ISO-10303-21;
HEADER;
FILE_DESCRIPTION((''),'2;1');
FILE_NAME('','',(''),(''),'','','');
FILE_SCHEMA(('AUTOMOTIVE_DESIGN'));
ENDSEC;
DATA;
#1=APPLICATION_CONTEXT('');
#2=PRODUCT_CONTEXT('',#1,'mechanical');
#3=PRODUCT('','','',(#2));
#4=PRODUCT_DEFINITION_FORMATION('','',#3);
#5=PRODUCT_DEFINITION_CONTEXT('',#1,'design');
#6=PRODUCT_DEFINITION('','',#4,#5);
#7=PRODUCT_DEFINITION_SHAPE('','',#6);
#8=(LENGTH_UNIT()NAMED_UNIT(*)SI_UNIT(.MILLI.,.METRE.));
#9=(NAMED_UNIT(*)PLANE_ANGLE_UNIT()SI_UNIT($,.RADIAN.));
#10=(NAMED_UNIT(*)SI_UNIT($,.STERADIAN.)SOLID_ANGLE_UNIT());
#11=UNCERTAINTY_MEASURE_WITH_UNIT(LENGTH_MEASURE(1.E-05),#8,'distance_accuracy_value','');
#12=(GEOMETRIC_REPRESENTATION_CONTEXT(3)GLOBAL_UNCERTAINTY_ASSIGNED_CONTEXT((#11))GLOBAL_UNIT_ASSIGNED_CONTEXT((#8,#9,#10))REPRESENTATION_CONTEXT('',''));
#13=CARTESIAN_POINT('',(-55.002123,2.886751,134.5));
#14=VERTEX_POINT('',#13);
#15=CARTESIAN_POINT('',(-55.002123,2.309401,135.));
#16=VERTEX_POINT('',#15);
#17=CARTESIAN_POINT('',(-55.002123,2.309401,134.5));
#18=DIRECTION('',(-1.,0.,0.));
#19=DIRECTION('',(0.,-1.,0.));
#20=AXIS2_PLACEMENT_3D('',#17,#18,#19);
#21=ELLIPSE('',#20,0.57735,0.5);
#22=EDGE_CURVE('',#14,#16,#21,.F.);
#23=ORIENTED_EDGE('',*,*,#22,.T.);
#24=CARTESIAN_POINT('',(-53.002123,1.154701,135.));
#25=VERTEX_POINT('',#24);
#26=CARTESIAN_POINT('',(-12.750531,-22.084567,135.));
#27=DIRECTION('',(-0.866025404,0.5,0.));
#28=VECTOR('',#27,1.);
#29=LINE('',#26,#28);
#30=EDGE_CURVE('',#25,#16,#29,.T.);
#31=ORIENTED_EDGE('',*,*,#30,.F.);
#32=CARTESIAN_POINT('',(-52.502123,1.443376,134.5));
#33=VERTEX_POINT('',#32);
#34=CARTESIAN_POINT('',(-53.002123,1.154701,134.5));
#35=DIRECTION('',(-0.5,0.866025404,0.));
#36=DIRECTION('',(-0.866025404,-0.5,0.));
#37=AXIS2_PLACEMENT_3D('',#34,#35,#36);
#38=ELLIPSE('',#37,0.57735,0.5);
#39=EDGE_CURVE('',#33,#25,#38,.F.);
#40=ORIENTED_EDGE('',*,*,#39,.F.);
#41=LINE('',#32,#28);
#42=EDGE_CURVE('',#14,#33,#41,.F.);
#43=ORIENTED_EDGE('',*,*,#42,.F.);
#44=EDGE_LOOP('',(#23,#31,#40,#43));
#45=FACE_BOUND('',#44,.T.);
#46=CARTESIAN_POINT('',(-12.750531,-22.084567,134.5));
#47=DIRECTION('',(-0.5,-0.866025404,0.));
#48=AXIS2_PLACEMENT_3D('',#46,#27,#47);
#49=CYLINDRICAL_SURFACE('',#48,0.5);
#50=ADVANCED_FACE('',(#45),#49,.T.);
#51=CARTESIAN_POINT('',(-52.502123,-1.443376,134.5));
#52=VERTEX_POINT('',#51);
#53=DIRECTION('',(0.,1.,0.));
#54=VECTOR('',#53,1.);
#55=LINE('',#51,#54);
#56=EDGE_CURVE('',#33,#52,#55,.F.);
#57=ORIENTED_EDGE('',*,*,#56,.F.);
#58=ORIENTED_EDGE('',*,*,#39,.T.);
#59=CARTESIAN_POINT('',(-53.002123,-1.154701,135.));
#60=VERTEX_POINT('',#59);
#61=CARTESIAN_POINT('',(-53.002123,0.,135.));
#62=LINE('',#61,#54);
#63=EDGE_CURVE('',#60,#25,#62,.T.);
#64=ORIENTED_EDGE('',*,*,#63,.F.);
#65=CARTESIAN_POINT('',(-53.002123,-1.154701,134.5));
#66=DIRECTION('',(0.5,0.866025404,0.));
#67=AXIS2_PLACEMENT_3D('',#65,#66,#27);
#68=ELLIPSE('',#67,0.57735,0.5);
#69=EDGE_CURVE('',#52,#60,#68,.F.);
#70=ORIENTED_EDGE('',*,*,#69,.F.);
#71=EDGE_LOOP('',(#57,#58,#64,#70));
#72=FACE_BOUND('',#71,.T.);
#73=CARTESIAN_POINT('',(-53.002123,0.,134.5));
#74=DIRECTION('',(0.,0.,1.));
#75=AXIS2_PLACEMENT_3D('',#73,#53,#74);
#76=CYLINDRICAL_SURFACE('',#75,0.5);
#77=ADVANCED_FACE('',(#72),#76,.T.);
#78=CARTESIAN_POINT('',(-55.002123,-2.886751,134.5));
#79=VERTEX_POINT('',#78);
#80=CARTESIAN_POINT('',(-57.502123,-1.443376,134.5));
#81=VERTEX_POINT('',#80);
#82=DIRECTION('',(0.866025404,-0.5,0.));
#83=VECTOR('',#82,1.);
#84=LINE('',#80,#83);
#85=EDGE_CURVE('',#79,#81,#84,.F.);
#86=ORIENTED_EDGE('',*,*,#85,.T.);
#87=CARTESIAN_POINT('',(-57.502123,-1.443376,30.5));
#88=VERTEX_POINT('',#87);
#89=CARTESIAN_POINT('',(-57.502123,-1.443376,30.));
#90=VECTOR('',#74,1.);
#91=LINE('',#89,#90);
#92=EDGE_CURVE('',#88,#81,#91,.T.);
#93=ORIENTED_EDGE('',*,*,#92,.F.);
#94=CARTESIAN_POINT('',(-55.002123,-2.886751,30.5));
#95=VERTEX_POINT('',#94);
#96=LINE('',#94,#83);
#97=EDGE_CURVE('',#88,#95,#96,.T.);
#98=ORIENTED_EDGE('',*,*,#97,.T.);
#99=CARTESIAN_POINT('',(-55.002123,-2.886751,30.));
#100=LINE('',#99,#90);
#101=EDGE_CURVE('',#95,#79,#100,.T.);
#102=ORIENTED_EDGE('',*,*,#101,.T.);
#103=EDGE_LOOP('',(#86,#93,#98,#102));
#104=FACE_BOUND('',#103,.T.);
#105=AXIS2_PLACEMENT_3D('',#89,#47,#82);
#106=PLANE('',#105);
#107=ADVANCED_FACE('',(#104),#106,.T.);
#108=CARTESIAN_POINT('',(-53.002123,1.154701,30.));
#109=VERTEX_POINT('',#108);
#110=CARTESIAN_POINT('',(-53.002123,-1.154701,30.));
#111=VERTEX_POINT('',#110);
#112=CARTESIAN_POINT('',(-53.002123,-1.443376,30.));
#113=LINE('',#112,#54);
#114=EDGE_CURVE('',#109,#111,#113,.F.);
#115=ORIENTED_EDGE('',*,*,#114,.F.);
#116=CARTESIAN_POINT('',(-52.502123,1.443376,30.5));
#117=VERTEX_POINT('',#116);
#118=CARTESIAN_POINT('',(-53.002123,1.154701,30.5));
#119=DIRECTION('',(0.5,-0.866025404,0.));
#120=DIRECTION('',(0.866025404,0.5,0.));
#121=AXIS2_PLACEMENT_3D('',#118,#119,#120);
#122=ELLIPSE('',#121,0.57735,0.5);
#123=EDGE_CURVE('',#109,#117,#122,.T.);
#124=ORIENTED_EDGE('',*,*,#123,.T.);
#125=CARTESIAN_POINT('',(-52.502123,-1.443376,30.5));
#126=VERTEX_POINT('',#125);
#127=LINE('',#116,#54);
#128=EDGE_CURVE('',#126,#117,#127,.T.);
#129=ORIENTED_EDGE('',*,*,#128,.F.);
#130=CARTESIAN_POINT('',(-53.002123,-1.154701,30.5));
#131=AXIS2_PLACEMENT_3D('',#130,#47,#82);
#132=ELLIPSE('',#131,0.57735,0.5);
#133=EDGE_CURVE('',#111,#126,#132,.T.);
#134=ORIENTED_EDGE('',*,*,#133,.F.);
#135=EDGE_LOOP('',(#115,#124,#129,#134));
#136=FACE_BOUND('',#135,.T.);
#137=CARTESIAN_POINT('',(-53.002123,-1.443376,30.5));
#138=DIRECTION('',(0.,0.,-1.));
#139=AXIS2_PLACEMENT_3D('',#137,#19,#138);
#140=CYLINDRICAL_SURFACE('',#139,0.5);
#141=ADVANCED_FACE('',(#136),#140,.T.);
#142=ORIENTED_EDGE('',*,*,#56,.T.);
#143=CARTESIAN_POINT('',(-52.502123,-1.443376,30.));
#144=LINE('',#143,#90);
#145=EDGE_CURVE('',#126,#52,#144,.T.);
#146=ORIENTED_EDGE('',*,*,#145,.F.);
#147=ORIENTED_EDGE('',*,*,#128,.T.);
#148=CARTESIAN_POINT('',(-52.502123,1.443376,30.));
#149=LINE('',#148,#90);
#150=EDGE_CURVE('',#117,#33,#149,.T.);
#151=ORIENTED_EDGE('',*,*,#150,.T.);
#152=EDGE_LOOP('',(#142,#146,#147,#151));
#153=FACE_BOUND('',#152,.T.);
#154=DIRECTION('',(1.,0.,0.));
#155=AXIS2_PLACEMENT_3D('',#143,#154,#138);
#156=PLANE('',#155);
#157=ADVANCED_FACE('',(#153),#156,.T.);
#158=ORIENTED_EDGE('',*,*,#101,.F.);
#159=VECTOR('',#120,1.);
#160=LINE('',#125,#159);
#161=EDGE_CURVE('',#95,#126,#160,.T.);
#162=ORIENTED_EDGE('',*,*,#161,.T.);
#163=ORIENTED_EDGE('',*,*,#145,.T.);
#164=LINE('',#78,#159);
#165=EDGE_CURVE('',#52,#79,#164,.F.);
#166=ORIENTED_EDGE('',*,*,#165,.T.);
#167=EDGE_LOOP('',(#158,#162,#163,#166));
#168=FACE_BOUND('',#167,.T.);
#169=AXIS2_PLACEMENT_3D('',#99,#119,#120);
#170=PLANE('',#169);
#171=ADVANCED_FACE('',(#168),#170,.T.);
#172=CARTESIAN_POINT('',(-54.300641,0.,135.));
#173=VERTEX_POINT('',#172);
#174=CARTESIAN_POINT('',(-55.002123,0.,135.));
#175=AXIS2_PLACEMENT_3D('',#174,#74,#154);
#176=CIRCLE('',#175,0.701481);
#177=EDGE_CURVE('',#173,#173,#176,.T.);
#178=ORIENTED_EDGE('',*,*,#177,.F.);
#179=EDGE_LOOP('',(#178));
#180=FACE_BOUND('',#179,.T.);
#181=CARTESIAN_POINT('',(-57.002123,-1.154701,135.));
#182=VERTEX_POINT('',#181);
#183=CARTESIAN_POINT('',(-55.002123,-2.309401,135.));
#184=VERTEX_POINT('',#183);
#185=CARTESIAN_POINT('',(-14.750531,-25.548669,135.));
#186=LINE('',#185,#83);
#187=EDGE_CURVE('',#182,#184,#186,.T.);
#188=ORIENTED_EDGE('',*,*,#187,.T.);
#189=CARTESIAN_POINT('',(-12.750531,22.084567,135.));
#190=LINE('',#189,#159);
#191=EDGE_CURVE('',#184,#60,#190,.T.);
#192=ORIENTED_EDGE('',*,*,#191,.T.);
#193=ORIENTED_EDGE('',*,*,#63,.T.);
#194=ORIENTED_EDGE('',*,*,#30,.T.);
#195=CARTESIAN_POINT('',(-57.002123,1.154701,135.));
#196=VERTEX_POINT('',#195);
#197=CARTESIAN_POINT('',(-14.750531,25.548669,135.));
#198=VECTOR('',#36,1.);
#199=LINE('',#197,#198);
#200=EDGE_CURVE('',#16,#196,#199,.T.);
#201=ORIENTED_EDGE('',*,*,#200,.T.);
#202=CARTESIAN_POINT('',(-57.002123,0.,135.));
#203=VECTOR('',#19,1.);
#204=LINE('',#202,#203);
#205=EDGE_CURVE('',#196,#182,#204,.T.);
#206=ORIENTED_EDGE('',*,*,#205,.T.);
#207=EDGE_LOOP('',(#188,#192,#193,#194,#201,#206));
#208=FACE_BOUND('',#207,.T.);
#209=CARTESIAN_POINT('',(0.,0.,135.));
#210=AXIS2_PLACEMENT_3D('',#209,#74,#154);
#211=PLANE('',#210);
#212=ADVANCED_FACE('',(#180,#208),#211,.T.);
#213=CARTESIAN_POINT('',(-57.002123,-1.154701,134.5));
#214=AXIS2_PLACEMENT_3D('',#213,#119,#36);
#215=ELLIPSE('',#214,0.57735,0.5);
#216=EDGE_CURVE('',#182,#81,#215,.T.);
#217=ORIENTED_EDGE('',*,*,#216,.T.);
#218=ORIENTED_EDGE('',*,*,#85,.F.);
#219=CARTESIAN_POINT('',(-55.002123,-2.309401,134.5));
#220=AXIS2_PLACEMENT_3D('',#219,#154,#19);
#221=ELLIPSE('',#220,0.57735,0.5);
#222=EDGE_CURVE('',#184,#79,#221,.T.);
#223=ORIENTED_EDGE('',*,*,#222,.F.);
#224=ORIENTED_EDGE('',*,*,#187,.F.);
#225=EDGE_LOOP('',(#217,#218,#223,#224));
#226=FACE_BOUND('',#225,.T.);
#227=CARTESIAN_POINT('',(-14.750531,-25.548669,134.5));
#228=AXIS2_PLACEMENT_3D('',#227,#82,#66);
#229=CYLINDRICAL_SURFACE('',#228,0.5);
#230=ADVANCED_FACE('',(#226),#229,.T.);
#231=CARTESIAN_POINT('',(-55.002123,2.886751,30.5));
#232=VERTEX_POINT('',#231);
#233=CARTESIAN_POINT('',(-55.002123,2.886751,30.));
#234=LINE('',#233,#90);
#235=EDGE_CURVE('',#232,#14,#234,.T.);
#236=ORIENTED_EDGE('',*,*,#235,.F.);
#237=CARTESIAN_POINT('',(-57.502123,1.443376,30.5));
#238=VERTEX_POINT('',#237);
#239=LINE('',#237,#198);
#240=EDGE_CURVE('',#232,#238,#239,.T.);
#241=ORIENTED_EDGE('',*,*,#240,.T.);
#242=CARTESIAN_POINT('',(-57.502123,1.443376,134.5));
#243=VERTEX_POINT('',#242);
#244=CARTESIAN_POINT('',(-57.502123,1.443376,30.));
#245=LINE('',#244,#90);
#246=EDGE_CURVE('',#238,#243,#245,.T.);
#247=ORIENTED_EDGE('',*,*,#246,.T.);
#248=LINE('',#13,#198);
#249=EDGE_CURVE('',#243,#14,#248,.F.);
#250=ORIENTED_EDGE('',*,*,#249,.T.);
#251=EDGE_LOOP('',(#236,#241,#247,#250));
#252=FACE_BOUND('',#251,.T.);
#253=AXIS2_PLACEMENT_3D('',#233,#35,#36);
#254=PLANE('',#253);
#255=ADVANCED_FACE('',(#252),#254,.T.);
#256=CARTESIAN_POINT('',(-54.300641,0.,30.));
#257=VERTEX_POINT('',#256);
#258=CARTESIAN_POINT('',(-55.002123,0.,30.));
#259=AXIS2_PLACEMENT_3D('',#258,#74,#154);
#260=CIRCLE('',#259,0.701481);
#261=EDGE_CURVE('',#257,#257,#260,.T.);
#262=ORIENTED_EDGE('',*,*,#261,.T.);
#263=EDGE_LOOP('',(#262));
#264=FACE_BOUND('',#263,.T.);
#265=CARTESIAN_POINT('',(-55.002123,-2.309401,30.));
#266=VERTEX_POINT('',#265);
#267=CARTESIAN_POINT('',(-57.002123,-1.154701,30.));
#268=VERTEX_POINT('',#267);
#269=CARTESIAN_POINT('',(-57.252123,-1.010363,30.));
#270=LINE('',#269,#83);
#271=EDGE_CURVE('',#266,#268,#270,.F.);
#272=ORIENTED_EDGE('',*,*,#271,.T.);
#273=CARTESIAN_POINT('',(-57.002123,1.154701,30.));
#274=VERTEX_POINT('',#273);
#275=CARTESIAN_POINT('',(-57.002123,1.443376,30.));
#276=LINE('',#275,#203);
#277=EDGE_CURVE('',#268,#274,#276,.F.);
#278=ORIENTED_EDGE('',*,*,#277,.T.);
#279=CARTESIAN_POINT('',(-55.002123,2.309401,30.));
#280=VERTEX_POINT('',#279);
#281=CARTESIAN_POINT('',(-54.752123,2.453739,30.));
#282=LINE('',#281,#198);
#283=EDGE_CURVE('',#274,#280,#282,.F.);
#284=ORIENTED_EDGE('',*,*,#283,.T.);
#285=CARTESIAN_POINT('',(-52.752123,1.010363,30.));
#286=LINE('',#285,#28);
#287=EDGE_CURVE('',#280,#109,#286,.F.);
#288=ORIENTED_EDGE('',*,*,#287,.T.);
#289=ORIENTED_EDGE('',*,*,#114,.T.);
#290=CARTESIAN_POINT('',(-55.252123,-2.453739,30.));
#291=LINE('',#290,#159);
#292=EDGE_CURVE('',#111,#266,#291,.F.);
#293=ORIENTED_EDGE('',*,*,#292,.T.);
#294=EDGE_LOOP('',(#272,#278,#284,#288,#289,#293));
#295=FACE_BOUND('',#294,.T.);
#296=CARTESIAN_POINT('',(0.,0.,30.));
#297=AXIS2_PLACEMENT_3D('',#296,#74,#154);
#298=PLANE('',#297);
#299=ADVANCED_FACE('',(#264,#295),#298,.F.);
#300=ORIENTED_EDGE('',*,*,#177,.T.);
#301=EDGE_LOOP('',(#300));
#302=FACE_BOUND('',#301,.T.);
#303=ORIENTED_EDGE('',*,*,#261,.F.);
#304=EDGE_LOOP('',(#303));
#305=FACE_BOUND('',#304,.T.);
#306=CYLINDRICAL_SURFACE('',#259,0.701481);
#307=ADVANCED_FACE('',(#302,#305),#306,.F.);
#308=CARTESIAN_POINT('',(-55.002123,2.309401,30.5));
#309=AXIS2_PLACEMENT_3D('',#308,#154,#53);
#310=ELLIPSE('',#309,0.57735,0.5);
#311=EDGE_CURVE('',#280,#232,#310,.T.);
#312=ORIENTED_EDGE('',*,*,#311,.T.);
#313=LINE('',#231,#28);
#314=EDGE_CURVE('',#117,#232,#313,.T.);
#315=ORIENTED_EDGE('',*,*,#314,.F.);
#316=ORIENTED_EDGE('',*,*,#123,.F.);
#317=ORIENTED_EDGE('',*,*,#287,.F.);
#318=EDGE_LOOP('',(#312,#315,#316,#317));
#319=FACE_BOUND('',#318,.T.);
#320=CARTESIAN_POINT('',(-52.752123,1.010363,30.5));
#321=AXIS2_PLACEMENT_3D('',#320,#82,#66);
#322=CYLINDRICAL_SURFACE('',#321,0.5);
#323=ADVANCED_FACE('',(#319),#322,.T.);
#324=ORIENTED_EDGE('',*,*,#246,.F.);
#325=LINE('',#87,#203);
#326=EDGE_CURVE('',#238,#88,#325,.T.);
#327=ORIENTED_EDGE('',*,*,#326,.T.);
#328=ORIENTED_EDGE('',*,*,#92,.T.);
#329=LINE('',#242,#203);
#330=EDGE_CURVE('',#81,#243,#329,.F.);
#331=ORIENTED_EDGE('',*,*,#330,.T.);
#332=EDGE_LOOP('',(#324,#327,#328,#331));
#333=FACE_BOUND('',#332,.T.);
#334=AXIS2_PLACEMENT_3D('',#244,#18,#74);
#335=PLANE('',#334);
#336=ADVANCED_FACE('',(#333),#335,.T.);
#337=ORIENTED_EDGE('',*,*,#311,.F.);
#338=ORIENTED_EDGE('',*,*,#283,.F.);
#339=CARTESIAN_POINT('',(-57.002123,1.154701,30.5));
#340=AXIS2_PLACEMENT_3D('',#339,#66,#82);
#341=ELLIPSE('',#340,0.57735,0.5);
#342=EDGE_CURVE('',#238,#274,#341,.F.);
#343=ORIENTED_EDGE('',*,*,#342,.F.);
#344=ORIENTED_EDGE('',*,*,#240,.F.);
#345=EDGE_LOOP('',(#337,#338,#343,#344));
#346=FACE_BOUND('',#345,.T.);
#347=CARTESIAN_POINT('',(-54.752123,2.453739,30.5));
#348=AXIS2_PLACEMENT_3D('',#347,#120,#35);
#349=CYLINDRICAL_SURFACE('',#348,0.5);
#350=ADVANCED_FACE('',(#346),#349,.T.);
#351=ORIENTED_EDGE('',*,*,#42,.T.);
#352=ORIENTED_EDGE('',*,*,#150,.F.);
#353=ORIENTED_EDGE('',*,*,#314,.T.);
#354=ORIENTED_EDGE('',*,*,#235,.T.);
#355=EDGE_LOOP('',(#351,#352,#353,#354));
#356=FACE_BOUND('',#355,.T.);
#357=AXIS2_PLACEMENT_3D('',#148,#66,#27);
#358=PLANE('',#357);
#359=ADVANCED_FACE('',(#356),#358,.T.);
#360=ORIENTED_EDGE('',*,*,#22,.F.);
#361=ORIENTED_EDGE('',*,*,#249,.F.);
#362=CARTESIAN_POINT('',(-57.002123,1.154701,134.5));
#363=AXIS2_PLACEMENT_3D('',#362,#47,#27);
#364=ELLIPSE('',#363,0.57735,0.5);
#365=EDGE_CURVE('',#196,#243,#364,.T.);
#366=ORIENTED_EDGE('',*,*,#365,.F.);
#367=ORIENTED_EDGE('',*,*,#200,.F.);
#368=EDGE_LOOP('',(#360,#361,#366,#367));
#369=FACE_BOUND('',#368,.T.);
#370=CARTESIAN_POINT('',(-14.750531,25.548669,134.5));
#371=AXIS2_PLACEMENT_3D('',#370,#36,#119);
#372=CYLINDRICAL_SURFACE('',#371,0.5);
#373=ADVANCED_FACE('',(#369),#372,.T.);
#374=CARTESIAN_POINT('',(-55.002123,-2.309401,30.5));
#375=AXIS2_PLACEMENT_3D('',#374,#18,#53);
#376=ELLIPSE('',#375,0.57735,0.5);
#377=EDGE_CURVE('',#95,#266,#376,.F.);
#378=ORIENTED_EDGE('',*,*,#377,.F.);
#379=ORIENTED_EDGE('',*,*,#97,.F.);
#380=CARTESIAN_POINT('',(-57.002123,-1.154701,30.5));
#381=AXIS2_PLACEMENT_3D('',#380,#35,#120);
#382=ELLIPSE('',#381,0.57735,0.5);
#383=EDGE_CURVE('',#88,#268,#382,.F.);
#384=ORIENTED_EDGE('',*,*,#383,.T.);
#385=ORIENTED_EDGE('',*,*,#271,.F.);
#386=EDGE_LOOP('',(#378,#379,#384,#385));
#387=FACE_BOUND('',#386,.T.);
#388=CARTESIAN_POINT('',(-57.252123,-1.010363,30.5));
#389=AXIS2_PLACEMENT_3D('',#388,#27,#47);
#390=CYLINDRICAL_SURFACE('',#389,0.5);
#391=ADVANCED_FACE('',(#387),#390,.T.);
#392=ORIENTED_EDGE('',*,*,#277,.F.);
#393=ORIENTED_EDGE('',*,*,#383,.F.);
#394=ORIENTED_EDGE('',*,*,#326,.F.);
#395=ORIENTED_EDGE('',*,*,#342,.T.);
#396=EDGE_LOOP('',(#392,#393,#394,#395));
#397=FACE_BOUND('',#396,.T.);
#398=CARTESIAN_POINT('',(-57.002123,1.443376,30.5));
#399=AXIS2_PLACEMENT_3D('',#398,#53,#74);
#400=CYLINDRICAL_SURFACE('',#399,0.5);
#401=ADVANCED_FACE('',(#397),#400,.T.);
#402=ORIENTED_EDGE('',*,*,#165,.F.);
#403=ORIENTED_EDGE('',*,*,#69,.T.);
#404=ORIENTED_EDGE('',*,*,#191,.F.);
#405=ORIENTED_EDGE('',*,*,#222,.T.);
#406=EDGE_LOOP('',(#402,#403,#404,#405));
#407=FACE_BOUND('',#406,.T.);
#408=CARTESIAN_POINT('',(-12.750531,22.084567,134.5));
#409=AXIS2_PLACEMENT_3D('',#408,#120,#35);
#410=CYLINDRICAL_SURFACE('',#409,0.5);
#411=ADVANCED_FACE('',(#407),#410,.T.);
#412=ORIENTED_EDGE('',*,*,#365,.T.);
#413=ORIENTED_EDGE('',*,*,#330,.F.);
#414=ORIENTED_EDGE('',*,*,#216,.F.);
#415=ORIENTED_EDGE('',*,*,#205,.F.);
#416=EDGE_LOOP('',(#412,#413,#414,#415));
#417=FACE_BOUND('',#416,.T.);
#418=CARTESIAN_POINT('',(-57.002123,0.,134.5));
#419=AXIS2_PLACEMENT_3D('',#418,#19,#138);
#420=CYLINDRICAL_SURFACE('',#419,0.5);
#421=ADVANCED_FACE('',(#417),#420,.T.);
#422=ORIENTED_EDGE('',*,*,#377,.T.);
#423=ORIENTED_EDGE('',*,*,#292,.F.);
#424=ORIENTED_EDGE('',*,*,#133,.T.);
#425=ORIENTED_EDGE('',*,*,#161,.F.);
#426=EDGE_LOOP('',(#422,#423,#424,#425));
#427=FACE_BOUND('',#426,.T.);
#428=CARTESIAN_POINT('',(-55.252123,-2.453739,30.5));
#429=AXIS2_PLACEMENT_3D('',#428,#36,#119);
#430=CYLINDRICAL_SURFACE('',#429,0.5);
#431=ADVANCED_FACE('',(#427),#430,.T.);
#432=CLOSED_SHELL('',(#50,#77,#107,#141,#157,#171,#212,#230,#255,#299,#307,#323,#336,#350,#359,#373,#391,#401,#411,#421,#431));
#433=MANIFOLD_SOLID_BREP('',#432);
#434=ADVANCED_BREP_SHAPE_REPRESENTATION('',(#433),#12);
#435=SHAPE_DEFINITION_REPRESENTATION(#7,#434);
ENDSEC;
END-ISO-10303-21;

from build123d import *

# Parameters (mm, degrees)
RESSALTO_EXTRUS_O1_DEPTH = 105
FILETE1_R                = 0.5
ESBO_O2_R                = 0.701481341
CORTE_EXTRUS_O1_DEPTH    = 106


with BuildPart() as part:
    # Esboço1 → Ressalto-extrusão1 (new body)
    with BuildSketch(Plane.XY.offset(135)):
        Polygon((-55.002122675, 2.886751346), (-57.502122675, 1.443375673), (-57.502122675, -1.443375673), (-55.002122675, -2.886751346), (-52.502122675, -1.443375673), (-52.502122675, 1.443375673), align=None)
    extrude(amount=-RESSALTO_EXTRUS_O1_DEPTH)

    # Filete1
    filete1_edges = [part.edges().sort_by_distance(p)[0] for p in [
        (-57.502122675, 0, 30),
        (-56.252122675, -2.165063509, 30),
        (-53.752122675, -2.165063509, 30),
        (-52.502122675, 0, 30),
        (-53.752122675, 2.165063509, 30),
        (-52.502122675, 0, 135),
        (-53.752122675, -2.165063509, 135),
        (-56.252122675, -2.165063509, 135),
        (-57.502122675, 0, 135),
        (-56.252122675, 2.165063509, 135),
        (-53.752122675, 2.165063509, 135),
        (-56.252122675, 2.165063509, 30),
    ]]
    fillet(filete1_edges, radius=FILETE1_R)

    # Esboço2 → Corte-extrusão1 (cut, through all)
    with BuildSketch(Plane.XY.offset(135)):
        with Locations((-55.002122675, 0)):
            Circle(ESBO_O2_R)
    extrude(amount=-CORTE_EXTRUS_O1_DEPTH, mode=Mode.SUBTRACT)


solid = part.part
